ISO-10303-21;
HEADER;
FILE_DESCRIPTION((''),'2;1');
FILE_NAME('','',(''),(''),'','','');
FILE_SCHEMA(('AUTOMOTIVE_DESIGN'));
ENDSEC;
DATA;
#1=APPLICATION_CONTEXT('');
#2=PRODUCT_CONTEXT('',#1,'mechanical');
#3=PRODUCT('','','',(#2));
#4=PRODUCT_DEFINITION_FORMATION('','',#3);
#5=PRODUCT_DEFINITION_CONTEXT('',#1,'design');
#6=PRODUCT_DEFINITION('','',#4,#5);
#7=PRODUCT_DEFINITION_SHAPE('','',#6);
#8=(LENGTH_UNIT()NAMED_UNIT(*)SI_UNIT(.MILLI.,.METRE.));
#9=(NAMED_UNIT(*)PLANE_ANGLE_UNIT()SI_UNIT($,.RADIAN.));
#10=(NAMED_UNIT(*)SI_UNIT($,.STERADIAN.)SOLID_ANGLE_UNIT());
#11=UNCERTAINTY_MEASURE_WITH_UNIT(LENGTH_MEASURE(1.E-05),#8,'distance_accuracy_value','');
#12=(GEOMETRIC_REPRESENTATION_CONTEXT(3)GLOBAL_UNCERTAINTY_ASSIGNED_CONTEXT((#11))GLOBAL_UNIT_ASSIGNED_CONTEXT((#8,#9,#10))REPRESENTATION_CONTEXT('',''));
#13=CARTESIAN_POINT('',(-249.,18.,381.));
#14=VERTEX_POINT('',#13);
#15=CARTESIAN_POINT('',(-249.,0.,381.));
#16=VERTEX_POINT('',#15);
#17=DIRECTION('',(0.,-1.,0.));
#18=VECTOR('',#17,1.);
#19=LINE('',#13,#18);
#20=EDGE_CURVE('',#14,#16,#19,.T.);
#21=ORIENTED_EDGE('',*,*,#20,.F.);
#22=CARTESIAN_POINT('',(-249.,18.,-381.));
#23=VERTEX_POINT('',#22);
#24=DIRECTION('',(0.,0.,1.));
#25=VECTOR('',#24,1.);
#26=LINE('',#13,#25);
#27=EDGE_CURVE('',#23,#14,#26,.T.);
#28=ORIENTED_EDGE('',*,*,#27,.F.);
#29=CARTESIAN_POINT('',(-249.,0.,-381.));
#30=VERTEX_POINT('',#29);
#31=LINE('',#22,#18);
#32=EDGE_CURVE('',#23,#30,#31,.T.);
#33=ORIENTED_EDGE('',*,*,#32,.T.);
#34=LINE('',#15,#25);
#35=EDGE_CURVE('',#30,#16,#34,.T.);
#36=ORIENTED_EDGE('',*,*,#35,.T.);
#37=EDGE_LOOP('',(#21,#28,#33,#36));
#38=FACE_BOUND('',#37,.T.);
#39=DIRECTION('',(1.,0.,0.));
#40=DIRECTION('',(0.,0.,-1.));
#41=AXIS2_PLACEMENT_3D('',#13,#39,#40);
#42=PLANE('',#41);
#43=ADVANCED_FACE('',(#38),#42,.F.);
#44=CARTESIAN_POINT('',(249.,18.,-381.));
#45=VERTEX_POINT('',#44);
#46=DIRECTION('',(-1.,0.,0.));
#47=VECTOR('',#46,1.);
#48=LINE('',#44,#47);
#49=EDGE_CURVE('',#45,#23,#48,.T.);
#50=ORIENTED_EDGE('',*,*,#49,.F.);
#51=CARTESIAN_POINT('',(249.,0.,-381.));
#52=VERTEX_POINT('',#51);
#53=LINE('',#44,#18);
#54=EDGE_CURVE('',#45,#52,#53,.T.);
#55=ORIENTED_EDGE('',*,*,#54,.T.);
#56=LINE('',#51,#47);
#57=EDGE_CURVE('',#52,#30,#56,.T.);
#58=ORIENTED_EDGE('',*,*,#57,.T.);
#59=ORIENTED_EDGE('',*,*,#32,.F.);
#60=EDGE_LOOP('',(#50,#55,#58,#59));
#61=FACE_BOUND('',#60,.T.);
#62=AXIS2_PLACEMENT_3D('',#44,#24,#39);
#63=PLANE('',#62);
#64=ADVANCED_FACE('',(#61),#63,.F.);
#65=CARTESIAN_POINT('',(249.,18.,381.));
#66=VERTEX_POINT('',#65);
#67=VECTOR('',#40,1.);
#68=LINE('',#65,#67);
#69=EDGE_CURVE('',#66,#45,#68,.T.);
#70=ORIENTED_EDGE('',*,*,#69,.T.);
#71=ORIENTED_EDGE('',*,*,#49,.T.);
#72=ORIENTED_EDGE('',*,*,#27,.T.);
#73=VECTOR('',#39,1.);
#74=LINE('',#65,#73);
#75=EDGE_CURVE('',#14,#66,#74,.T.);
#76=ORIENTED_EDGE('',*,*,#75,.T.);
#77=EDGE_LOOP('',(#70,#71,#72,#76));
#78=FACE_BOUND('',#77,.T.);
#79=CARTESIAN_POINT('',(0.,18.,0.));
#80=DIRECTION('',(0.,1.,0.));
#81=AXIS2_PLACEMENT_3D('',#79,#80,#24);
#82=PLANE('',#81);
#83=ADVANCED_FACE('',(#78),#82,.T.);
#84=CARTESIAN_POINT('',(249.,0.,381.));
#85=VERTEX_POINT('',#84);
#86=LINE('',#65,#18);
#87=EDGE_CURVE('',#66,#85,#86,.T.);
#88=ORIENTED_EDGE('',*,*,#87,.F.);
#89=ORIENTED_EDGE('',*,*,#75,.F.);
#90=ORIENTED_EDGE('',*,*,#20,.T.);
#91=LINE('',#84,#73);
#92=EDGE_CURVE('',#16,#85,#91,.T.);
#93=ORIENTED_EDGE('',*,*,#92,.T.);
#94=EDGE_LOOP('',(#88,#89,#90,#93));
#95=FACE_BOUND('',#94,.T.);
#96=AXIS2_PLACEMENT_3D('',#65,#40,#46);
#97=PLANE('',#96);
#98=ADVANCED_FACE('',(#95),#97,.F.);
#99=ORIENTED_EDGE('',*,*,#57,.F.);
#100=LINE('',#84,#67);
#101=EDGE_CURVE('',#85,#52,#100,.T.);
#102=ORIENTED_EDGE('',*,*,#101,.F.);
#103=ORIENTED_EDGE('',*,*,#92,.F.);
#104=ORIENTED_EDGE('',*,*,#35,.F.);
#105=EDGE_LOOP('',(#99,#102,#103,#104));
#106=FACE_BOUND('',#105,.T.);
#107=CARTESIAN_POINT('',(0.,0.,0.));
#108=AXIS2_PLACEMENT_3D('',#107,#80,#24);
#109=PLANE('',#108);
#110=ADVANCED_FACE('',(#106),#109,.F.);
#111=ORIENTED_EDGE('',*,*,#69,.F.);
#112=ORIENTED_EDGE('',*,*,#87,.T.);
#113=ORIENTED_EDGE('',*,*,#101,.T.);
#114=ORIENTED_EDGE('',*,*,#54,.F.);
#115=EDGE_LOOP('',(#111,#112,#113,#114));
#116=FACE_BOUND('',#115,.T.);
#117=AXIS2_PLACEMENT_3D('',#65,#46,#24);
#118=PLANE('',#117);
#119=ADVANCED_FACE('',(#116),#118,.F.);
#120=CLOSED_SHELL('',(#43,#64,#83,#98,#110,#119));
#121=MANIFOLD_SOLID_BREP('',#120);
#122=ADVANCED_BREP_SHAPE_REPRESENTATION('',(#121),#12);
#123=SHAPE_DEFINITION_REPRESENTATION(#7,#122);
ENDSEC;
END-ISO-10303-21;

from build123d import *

# Parameters (mm, degrees)
SKETCH_1_W      = 498
SKETCH_1_H      = 762
EXTRUDE_1_DEPTH = 18


with BuildPart() as part:
    # Эскиз1 → Бобышка-Вытянуть1 (new body)
    with BuildSketch(Plane(origin=(0, 0, 0), x_dir=(1, 0, 0), z_dir=(0, 1, 0))):
        Rectangle(SKETCH_1_W, SKETCH_1_H)
    extrude(amount=EXTRUDE_1_DEPTH)


solid = part.part
